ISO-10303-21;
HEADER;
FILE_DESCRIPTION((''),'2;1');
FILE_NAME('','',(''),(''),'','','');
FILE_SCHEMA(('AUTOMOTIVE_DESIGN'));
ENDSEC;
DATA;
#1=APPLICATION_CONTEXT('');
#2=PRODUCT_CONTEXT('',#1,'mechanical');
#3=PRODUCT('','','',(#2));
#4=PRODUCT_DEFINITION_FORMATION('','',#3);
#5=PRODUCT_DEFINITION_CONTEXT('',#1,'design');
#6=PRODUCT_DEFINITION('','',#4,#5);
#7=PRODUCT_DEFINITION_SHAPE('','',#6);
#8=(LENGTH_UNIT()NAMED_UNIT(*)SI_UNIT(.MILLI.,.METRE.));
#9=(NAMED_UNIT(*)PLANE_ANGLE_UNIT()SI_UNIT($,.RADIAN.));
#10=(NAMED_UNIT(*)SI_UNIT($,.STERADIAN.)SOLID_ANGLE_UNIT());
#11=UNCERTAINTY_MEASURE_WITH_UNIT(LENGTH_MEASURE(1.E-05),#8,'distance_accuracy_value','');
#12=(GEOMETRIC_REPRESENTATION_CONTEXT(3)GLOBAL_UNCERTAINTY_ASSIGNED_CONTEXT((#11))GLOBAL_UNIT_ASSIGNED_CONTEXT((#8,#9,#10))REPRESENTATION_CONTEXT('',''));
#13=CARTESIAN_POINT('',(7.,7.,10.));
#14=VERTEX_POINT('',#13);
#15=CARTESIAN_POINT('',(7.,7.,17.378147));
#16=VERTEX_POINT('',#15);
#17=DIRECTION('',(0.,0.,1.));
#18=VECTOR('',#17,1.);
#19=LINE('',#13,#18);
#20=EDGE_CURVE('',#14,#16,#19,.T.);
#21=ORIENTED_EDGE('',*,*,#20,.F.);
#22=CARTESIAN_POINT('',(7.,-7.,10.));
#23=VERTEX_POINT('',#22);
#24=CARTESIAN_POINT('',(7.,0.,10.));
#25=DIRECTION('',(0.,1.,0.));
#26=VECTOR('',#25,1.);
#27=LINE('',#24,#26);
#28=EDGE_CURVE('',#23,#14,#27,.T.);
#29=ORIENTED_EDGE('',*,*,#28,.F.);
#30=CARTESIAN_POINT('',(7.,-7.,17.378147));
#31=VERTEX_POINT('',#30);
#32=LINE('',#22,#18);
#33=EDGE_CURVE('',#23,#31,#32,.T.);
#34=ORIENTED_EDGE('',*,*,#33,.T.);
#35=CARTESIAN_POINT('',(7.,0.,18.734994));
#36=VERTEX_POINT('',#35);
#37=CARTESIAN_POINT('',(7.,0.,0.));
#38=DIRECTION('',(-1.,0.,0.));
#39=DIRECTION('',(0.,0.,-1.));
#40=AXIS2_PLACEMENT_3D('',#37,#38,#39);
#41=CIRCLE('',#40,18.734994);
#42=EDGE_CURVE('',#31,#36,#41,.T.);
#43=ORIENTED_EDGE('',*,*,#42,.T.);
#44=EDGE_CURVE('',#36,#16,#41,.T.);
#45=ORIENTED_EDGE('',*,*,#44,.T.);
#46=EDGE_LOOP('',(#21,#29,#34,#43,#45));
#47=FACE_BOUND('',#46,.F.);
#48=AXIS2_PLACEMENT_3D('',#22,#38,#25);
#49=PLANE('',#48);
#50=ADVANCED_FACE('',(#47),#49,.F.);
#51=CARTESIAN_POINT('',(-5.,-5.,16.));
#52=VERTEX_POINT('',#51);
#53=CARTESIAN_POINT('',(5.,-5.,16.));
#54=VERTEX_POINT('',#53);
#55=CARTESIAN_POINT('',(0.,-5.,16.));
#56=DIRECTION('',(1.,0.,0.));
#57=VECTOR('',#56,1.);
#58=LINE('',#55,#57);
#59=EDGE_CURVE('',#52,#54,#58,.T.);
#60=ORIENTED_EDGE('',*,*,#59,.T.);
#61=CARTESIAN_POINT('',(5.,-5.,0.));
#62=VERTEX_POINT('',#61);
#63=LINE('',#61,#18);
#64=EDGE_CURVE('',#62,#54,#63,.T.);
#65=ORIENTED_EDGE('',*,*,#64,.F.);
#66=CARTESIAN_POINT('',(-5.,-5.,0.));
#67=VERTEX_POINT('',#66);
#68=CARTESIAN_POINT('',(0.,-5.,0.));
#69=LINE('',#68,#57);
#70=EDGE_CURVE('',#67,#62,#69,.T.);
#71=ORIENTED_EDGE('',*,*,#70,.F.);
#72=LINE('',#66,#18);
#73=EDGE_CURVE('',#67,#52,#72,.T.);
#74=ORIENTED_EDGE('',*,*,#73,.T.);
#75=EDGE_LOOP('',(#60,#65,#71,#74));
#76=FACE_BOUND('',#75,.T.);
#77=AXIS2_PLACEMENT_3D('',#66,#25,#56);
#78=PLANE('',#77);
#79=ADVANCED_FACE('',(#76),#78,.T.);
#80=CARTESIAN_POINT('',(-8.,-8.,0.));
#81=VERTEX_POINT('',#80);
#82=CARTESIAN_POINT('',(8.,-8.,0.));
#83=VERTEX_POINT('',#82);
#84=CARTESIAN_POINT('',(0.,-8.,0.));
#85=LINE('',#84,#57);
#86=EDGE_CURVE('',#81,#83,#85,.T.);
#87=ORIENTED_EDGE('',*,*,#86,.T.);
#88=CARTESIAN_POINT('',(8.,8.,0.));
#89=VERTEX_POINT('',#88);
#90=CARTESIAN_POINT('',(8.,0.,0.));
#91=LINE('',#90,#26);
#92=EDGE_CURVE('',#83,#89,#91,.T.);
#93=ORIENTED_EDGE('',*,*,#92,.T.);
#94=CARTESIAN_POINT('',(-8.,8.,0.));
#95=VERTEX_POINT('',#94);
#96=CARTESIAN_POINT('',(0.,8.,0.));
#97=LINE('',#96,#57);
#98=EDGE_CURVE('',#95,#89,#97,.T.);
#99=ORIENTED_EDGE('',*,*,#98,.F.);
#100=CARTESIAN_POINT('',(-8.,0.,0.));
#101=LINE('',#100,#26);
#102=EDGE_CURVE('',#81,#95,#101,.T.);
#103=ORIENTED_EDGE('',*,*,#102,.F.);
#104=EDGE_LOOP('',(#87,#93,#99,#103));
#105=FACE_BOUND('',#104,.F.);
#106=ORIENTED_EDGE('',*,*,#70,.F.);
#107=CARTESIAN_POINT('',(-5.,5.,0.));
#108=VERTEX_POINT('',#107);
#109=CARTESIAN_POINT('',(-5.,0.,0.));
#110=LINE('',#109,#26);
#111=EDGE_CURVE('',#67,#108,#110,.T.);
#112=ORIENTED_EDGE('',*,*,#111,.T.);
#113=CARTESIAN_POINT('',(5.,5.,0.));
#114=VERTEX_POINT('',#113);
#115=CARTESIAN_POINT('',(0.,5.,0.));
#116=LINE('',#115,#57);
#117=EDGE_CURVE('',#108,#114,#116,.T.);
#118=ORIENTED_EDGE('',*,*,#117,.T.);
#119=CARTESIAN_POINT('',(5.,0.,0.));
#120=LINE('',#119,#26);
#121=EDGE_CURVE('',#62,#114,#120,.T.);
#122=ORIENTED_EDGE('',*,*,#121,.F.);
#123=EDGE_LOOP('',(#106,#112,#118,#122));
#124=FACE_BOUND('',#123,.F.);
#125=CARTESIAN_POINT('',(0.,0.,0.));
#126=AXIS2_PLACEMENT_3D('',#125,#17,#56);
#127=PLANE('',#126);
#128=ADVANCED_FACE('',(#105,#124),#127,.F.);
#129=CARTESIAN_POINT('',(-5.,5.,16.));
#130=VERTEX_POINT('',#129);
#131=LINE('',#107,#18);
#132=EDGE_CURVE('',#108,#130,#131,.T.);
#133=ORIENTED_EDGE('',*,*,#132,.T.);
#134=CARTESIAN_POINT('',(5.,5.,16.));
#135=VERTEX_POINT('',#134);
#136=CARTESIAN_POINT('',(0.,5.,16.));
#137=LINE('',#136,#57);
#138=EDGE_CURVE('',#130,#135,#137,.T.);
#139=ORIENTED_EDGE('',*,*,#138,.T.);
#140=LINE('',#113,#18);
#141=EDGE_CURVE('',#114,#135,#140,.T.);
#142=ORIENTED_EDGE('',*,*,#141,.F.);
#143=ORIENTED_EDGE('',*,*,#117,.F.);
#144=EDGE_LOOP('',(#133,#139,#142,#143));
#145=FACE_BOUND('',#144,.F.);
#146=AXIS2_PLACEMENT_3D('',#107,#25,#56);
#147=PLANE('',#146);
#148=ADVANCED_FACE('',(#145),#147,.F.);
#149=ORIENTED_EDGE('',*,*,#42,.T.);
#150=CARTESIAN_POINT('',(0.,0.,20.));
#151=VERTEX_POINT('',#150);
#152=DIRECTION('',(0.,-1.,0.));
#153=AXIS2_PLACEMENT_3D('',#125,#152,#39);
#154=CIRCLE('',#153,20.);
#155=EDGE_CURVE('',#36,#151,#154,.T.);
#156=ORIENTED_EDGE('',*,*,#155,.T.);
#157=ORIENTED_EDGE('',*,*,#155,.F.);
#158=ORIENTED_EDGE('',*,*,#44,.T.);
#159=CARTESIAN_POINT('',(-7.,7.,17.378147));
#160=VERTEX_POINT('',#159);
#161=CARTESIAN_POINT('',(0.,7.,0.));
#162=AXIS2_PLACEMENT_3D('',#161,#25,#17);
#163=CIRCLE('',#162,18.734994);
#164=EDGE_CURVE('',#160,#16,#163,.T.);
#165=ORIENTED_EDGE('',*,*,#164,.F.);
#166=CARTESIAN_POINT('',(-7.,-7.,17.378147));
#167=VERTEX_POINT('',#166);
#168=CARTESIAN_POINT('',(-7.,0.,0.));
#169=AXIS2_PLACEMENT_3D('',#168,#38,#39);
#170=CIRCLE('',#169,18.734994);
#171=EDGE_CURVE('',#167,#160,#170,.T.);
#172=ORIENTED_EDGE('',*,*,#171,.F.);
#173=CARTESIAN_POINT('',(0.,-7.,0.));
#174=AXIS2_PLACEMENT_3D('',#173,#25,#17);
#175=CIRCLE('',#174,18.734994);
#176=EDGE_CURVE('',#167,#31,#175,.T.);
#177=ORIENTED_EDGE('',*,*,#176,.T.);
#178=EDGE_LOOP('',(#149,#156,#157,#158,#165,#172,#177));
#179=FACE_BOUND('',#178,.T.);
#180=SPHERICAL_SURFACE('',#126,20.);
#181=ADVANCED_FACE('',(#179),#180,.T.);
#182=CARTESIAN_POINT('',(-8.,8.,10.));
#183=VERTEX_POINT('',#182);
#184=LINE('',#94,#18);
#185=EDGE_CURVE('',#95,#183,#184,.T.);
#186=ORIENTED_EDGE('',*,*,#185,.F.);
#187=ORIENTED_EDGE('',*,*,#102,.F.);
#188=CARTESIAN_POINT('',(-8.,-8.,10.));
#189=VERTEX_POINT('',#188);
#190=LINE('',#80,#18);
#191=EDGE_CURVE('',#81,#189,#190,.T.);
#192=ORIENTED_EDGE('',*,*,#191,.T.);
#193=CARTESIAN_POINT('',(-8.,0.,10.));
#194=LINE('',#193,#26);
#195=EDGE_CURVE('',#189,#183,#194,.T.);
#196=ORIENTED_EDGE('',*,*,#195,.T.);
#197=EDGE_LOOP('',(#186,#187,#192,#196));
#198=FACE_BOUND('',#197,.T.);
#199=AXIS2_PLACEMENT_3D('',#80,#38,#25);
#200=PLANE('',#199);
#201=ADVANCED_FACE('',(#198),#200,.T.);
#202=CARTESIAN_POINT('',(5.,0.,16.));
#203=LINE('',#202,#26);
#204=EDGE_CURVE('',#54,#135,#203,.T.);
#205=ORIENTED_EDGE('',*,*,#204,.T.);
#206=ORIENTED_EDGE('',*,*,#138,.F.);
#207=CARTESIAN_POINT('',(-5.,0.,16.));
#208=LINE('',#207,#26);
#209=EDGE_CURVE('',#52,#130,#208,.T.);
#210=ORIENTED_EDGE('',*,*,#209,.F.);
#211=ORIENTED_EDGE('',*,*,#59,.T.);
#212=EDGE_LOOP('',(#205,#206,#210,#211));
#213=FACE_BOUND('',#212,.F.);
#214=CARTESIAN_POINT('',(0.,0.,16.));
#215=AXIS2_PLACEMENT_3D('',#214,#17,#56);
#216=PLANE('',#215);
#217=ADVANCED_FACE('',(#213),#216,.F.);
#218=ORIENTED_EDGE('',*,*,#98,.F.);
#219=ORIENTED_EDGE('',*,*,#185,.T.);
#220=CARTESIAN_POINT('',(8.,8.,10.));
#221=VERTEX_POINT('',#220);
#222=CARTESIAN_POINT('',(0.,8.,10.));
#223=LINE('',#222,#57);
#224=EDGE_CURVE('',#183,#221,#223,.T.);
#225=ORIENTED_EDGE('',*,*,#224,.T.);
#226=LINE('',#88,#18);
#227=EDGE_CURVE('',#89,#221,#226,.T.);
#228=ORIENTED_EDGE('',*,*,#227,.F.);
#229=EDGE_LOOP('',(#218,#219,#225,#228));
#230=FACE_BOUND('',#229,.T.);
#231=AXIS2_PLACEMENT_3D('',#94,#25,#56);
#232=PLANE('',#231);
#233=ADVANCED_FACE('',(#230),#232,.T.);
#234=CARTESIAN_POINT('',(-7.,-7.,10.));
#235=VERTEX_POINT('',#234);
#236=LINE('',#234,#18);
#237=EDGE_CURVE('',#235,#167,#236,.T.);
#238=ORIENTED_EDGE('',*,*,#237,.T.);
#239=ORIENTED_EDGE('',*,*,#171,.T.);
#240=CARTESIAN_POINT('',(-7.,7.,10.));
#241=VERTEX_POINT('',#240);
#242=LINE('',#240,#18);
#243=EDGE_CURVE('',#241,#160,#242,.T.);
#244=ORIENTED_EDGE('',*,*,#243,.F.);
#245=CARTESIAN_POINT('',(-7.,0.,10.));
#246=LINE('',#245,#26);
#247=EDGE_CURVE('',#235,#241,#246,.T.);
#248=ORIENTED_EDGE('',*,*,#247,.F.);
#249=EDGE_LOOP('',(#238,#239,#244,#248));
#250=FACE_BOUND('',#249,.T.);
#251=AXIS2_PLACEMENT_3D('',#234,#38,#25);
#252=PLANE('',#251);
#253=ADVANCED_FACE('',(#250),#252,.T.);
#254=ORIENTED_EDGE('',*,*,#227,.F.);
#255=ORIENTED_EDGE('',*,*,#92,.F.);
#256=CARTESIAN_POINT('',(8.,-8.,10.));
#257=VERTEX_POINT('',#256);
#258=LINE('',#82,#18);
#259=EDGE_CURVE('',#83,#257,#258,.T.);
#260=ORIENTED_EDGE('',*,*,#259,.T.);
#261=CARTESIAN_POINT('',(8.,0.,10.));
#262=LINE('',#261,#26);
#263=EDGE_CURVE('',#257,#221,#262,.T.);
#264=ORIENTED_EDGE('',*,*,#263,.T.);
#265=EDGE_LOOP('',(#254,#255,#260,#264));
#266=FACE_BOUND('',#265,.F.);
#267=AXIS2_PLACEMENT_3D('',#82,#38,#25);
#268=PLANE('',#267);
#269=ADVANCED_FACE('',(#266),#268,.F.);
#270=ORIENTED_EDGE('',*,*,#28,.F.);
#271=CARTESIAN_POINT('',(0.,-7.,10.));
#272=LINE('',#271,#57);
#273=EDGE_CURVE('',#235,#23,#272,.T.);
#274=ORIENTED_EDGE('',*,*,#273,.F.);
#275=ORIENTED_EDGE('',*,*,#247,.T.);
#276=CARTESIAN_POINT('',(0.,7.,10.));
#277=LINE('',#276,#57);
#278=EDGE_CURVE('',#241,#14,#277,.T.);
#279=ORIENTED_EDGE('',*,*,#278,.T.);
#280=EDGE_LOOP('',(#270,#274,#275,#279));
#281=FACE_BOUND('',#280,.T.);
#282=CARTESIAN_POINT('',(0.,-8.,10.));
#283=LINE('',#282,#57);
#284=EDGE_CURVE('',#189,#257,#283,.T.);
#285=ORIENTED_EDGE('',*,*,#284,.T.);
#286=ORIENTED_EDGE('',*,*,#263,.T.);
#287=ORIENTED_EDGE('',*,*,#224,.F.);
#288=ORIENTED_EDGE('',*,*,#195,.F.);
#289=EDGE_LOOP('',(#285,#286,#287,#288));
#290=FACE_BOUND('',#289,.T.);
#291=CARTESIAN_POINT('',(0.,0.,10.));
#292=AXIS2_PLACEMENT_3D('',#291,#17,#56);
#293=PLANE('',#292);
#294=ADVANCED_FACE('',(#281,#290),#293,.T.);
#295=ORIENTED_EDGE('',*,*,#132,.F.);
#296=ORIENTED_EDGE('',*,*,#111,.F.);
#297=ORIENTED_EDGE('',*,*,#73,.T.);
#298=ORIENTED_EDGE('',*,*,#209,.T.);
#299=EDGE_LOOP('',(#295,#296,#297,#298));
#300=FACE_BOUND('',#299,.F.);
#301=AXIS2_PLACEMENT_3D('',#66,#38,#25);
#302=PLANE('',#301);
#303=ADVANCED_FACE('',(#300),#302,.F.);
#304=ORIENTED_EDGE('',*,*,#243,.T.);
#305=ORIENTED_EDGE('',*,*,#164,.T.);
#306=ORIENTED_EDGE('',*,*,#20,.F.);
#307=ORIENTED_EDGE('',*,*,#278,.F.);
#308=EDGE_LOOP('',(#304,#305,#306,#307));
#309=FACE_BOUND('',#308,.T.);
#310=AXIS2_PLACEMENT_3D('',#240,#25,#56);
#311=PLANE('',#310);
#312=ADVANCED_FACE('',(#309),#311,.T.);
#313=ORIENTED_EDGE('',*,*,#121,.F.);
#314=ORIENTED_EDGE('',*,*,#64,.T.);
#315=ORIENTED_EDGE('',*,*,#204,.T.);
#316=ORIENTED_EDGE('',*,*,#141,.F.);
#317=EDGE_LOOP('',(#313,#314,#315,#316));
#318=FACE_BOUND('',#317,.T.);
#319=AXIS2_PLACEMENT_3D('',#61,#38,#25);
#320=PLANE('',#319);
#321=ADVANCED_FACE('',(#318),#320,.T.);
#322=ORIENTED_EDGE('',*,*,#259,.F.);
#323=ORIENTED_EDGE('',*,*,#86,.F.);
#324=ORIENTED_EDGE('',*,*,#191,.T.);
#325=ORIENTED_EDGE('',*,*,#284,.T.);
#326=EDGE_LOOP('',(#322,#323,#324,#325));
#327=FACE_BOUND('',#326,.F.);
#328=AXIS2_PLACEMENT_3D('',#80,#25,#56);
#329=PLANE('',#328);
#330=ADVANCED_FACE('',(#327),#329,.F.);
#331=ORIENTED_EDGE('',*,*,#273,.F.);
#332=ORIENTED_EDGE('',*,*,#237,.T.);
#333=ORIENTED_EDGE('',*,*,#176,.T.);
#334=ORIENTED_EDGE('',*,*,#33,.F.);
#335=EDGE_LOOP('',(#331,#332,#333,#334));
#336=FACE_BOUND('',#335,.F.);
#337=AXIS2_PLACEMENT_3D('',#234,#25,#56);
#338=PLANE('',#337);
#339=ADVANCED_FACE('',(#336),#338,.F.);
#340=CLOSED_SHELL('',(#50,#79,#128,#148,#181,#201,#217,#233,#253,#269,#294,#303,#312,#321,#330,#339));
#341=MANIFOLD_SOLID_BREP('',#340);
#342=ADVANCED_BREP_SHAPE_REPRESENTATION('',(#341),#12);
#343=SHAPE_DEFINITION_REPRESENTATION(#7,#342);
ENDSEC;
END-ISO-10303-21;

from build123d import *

# Parameters (mm, degrees)
BOX002_W     = 10
BOX002_H     = 10
BOX002_DEPTH = 16
BOX001_W     = 14
BOX001_H     = 14
BOX001_DEPTH = 10
BOX_W        = 16
BOX_H        = 16
BOX_DEPTH    = 10


with BuildPart() as cube001:
    # Box002 → Box002 (new body)
    with BuildSketch(Plane(origin=(-5, -5, 0), x_dir=(1, 0, 0), z_dir=(0, 0, 1))):
        with Locations((5, 5)):
            Rectangle(BOX002_W, BOX002_H)
    extrude(amount=BOX002_DEPTH)


with BuildPart() as cubo:
    # Box001 → Box001 (new body)
    with BuildSketch(Plane(origin=(-7, -7, 10), x_dir=(1, 0, 0), z_dir=(0, 0, 1))):
        with Locations((7, 7)):
            Rectangle(BOX001_W, BOX001_H)
    extrude(amount=BOX001_DEPTH)


with BuildPart() as common:
    # Sphere → Sphere (revolve)
    with BuildSketch(Plane.XZ):
        with BuildLine():
            ThreePointArc((0, -20), (20, 0), (0, 20))
            Line((0, 20), (0, -20))
        make_face()
    revolve(axis=Axis((0, 0, 0), (0, 0, 1)))

    # Common: intersect Cubo
    add(cubo.part, mode=Mode.INTERSECT)


with BuildPart() as cut:
    # Box → Box (new body)
    with BuildSketch(Plane(origin=(-8, -8, 0), x_dir=(1, 0, 0), z_dir=(0, 0, 1))):
        with Locations((8, 8)):
            Rectangle(BOX_W, BOX_H)
    extrude(amount=BOX_DEPTH)

    # Fusion: union Common
    add(common.part)

    # Cut: cut Cube001
    add(cube001.part, mode=Mode.SUBTRACT)


solid = cut.part
